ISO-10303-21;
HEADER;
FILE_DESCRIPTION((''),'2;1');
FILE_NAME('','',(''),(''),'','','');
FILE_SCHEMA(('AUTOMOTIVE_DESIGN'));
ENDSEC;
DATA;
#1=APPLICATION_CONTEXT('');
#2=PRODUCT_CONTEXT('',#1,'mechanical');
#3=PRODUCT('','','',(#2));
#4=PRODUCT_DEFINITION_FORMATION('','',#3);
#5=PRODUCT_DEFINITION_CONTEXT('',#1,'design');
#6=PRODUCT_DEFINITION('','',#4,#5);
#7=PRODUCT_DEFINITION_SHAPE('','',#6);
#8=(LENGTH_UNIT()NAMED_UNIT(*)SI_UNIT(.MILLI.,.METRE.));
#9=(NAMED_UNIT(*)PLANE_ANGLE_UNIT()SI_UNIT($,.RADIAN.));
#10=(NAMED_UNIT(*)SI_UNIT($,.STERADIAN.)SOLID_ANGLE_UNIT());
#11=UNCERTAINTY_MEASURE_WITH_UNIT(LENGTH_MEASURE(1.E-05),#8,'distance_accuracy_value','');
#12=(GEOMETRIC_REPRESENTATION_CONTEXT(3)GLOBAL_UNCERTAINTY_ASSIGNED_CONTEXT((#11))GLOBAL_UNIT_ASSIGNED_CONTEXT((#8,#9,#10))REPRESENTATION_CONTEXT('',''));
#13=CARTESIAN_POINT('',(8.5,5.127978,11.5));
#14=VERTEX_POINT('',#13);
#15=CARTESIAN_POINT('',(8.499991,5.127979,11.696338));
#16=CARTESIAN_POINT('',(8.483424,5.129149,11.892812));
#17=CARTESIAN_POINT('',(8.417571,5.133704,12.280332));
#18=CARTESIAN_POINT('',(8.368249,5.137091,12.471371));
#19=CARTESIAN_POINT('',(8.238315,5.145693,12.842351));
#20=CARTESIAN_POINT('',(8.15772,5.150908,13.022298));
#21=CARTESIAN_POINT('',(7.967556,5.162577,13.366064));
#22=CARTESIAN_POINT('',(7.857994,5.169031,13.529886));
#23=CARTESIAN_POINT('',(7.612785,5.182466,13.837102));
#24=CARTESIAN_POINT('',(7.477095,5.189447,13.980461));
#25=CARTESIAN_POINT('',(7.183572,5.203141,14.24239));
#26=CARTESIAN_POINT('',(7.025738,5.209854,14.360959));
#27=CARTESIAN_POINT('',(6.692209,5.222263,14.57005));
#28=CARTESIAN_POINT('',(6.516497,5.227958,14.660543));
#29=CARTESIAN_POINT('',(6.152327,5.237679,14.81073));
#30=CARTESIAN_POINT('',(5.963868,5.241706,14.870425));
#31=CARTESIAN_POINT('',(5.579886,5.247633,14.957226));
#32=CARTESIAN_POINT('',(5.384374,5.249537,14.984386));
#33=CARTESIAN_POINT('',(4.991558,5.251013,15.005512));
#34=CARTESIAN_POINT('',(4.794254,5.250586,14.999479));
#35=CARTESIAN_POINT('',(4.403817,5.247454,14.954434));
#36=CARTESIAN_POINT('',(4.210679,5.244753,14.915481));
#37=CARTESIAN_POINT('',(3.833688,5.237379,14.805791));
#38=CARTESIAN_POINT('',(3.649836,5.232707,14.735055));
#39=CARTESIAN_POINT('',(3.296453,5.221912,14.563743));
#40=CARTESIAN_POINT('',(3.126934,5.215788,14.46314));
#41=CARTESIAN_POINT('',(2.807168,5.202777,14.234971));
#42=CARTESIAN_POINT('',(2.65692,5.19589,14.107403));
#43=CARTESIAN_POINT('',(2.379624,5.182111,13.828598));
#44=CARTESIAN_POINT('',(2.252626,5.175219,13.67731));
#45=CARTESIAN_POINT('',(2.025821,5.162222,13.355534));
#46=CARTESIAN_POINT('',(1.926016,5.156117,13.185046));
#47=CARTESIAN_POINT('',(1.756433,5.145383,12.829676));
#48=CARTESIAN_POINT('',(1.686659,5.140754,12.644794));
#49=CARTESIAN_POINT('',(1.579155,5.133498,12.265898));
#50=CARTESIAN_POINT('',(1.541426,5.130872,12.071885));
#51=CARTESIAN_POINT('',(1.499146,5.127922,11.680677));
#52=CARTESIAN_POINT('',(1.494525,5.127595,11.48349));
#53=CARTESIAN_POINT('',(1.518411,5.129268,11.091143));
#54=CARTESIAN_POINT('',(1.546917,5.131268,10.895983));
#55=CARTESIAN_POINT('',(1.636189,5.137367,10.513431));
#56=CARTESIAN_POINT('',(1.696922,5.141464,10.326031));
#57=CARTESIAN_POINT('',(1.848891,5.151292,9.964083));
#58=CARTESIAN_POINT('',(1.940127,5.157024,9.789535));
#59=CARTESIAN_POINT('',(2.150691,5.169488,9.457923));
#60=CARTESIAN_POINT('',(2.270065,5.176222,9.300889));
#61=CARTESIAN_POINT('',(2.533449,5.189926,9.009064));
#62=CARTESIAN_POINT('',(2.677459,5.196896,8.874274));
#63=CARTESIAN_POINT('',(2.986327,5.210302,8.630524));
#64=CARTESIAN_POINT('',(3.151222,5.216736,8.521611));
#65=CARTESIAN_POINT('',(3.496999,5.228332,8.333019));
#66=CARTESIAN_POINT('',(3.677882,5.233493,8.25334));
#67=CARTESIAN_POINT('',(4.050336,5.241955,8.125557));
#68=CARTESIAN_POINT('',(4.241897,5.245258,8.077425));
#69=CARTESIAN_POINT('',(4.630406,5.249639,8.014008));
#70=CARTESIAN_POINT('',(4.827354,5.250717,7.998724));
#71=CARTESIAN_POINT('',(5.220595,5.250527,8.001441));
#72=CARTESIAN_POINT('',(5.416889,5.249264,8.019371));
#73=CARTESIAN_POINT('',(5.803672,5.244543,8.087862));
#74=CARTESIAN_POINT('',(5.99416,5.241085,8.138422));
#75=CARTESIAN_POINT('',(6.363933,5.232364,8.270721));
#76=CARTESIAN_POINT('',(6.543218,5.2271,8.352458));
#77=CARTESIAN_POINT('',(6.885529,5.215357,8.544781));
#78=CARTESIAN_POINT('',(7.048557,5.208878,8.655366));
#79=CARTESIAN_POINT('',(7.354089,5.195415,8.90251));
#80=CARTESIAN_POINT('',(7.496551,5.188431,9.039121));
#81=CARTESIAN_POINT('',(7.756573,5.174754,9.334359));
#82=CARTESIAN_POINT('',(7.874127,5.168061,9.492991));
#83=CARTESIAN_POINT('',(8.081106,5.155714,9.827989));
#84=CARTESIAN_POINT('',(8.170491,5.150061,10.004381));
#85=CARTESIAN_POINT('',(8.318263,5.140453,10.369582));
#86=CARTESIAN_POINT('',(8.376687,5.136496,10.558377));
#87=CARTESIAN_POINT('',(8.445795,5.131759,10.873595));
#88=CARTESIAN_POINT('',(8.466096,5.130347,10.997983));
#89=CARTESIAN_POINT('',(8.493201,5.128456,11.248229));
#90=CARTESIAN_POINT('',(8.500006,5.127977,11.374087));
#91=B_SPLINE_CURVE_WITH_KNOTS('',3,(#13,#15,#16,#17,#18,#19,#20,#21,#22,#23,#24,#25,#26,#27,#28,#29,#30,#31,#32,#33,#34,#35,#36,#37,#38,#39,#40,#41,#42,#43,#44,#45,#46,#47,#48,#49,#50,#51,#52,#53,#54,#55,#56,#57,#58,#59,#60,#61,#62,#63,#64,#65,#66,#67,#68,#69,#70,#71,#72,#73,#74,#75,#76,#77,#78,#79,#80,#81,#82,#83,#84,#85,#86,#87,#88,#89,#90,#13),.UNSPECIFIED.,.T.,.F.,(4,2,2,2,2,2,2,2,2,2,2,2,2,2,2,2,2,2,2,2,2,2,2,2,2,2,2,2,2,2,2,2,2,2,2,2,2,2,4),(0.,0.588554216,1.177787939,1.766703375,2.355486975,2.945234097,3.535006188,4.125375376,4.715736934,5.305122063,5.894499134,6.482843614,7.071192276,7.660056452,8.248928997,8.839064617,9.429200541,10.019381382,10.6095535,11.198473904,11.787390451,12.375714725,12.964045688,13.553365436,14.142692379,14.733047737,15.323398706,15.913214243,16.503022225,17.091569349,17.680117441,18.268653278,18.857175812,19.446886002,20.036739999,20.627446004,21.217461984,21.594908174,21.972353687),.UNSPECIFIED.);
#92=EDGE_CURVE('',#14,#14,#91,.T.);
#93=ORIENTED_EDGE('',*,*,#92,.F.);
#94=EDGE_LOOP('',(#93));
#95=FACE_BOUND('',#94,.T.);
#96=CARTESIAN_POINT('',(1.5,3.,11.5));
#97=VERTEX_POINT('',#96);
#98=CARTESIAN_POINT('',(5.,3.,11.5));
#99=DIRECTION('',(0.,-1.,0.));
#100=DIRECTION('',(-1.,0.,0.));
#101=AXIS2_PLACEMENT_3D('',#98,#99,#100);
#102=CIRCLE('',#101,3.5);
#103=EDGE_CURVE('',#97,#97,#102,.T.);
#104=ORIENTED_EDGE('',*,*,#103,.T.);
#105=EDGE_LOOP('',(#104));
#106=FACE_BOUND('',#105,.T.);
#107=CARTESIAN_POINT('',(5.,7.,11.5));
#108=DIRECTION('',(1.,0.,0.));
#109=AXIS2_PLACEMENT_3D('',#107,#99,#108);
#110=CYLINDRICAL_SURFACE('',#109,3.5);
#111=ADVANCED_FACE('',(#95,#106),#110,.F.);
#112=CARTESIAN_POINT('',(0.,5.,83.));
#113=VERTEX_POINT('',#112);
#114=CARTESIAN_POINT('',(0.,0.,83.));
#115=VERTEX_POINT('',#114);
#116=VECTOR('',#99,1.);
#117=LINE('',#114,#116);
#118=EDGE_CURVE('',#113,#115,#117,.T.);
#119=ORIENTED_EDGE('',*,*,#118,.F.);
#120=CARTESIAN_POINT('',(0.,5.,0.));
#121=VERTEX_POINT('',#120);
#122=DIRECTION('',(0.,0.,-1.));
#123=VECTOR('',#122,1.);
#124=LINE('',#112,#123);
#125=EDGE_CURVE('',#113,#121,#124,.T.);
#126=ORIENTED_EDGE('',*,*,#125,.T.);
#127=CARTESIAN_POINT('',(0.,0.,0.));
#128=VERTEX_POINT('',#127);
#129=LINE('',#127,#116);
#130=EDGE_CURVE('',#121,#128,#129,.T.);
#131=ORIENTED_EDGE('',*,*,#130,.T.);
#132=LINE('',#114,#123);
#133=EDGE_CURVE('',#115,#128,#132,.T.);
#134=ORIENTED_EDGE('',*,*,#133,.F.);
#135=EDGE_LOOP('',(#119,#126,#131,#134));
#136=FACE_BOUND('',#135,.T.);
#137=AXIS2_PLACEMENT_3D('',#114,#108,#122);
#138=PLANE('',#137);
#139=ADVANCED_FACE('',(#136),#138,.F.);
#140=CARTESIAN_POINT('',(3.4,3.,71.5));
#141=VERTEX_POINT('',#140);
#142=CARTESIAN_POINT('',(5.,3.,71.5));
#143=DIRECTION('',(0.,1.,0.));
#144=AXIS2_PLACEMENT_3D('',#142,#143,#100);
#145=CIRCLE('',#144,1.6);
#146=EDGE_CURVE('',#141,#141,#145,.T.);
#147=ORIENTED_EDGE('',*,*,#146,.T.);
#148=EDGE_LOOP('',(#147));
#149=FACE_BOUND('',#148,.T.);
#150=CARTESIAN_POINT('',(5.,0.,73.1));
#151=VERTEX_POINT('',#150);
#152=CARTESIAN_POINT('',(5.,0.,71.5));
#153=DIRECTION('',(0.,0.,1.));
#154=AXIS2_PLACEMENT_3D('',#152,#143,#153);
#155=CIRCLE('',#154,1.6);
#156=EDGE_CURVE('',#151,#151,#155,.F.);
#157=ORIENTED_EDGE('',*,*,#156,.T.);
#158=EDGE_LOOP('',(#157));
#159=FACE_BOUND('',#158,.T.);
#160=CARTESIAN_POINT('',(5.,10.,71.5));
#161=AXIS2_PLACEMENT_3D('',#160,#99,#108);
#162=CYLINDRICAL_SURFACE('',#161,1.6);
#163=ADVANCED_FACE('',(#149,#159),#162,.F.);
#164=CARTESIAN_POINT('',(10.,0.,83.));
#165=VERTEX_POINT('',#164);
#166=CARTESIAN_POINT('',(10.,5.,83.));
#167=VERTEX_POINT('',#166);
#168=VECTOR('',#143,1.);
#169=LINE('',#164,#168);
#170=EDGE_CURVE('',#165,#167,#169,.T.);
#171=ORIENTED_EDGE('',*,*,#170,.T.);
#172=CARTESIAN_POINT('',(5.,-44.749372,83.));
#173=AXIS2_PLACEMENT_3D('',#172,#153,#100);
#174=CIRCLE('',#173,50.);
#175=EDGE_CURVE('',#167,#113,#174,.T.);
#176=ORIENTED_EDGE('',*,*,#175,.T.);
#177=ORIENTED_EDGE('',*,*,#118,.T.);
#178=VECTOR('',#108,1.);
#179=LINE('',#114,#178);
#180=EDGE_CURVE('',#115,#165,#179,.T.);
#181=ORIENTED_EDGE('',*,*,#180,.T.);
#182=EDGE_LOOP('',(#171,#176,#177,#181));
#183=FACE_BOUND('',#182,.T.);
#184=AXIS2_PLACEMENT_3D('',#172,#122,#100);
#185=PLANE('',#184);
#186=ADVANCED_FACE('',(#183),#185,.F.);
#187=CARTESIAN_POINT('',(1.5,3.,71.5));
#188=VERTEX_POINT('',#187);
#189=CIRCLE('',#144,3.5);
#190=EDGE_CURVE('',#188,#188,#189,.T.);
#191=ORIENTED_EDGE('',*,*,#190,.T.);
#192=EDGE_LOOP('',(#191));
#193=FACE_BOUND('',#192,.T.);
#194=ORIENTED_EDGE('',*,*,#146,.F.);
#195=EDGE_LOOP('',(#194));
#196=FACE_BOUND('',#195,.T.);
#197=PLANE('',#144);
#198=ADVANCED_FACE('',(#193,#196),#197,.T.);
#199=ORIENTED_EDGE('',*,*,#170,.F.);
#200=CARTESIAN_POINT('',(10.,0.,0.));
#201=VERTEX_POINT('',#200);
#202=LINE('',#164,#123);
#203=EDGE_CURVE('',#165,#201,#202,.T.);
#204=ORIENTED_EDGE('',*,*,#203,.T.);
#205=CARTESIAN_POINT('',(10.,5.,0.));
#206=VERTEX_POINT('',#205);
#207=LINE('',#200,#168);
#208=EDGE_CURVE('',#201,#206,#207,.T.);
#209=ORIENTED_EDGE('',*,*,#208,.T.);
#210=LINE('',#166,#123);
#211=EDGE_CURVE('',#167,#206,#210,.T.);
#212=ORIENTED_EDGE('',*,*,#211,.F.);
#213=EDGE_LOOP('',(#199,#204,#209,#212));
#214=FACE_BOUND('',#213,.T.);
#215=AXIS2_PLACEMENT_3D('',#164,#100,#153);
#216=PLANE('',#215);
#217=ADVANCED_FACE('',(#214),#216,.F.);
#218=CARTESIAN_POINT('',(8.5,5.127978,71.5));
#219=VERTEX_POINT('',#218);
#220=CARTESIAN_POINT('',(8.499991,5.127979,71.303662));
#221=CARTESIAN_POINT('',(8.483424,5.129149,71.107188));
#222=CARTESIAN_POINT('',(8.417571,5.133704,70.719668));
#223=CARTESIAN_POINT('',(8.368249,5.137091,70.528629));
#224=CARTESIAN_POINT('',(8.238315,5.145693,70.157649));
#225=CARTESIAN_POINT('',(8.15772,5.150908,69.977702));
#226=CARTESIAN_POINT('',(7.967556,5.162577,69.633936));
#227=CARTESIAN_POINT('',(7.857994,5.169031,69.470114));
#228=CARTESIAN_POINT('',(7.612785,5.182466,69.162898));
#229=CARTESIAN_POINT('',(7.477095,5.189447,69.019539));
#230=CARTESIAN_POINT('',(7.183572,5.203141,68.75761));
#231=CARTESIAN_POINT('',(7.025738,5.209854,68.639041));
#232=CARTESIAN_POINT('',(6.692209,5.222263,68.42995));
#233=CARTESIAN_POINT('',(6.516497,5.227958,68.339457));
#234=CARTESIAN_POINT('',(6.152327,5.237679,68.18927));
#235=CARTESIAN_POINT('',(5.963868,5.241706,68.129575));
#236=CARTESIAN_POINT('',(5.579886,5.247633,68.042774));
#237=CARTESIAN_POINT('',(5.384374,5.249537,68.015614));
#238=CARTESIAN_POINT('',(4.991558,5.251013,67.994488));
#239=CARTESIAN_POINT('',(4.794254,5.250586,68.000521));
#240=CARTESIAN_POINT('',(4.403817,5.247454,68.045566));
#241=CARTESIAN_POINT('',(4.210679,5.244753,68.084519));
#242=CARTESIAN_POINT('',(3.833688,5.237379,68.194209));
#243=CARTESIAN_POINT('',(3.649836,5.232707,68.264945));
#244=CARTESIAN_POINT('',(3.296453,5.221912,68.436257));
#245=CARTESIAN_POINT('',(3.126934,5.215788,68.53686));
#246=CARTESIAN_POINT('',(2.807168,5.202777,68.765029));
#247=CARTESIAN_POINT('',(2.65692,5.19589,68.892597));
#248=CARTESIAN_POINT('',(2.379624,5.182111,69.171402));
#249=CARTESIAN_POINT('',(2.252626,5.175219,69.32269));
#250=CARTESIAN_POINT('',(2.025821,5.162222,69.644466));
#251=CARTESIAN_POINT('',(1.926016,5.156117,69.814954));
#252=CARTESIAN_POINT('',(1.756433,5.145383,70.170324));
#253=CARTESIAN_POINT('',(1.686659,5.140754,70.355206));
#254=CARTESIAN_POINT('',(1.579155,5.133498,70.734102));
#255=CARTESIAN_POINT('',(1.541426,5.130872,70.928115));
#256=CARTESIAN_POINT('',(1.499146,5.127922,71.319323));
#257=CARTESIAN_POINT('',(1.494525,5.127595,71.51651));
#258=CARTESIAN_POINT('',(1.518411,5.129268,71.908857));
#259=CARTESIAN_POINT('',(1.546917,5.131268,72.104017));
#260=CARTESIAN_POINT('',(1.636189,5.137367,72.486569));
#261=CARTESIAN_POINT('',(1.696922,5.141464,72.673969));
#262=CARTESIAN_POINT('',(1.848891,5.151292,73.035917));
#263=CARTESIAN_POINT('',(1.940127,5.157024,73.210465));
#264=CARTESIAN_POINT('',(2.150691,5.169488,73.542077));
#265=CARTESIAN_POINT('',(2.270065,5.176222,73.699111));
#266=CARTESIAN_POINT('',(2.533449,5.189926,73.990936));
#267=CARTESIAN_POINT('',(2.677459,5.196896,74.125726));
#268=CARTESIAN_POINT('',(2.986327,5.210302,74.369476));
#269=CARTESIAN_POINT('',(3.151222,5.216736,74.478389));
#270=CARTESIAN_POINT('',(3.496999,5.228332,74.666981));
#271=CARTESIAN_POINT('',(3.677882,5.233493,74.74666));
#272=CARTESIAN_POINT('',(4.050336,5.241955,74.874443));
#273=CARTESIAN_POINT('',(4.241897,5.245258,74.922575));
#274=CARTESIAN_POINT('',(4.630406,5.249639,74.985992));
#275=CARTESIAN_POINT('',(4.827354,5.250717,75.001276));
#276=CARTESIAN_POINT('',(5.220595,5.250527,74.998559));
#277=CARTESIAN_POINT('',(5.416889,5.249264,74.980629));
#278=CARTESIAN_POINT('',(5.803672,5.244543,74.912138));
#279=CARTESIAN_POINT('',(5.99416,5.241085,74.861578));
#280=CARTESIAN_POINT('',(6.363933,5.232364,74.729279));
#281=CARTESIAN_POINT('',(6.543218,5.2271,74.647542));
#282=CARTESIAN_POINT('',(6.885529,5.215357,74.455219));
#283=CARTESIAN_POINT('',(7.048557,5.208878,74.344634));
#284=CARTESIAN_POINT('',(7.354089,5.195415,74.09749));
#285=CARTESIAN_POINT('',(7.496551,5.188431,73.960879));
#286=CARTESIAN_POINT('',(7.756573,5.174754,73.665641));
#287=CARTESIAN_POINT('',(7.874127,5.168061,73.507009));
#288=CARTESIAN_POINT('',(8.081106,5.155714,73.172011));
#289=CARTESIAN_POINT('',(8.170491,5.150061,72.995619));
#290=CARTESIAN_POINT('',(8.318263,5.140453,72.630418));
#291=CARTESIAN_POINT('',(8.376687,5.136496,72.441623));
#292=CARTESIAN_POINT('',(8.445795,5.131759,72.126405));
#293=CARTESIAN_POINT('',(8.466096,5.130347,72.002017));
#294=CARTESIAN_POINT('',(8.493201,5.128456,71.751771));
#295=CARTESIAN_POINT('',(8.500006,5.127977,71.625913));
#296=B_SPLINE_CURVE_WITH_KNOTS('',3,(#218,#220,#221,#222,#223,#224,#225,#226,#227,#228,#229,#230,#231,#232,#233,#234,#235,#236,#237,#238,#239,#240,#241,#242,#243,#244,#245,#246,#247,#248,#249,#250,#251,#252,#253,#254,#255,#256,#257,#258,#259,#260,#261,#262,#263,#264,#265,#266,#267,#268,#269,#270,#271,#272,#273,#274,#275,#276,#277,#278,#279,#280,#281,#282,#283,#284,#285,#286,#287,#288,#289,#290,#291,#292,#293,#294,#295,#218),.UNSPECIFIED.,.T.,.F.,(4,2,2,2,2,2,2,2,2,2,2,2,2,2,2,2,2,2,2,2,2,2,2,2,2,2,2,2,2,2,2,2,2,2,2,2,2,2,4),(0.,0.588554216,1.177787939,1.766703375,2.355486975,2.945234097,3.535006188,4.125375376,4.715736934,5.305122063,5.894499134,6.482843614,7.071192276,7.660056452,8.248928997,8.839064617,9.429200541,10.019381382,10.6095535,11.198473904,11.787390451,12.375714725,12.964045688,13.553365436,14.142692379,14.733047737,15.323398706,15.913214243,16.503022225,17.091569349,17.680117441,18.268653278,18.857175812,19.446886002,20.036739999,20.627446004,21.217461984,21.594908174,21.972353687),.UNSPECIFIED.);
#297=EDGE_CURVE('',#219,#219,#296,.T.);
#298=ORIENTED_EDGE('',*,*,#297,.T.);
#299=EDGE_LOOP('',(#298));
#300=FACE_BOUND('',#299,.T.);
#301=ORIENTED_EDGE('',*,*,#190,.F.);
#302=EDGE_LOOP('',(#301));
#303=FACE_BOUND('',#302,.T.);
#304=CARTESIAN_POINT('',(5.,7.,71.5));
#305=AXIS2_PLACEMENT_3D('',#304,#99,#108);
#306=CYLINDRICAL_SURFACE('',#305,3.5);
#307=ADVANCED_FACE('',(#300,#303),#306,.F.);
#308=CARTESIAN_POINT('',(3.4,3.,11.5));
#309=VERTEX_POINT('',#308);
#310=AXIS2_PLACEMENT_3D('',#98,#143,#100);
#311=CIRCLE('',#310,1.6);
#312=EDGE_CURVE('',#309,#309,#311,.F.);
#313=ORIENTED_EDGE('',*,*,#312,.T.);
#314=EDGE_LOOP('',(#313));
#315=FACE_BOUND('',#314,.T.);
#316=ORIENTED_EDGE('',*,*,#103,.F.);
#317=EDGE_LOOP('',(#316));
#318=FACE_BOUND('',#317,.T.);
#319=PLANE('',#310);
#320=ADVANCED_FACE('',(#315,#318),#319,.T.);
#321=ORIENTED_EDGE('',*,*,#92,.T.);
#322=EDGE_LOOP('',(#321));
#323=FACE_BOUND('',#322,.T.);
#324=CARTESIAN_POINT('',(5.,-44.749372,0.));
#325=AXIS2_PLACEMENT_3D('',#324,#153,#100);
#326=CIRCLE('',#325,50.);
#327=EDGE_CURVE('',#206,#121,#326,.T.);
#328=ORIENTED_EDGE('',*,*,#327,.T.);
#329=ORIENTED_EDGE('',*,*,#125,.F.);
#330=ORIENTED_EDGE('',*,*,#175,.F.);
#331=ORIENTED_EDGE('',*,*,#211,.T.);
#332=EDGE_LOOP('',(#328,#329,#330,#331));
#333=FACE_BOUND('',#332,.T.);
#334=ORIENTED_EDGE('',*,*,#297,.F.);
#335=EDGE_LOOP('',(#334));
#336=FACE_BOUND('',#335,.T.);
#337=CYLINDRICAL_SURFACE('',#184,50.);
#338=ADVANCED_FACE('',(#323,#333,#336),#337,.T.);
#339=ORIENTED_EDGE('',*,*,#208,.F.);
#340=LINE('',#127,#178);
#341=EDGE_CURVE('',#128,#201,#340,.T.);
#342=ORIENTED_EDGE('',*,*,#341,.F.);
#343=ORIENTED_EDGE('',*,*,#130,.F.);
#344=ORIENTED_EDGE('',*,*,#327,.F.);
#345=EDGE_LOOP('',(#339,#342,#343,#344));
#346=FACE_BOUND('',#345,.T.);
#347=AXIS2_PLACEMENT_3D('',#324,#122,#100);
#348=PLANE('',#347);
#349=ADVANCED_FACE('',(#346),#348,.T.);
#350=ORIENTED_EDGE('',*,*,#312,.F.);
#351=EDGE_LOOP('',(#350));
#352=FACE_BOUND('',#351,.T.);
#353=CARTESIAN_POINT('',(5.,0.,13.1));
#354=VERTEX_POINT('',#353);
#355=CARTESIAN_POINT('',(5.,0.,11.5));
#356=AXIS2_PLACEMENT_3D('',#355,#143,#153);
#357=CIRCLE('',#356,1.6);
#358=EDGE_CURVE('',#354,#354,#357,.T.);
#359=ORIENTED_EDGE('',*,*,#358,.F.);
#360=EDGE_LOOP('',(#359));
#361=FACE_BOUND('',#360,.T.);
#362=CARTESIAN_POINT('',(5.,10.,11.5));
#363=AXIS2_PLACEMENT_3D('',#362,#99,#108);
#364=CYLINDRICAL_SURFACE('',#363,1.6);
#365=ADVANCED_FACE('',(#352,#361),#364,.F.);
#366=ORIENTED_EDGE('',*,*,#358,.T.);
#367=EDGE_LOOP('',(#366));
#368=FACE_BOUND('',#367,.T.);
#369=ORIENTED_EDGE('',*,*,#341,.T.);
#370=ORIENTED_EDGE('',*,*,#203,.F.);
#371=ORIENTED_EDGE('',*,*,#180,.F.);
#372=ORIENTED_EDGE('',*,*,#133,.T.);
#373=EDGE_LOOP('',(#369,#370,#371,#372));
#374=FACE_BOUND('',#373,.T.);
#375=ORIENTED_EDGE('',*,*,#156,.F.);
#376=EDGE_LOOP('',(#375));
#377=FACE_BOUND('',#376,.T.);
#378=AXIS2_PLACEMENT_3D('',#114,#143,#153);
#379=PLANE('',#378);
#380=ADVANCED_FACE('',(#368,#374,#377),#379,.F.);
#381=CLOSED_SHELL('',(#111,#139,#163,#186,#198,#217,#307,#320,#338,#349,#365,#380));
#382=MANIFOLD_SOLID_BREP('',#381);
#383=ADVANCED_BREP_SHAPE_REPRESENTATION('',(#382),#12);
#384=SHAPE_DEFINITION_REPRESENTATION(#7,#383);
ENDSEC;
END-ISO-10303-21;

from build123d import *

# Parameters (mm, degrees)
EXTRUDE_1_DEPTH     = 83
CUT_EXTRUDE_START   = -10
SKETCH_6_R          = 1.6
CUT_EXTRUDE_1_DEPTH = 15
SKETCH_5_R          = 3.5
CUT_EXTRUDE_2_DEPTH = 2


with BuildPart() as part:
    # 草图1 → 凸台-拉伸1 (new body)
    with BuildSketch(Plane.XY):
        with BuildLine():
            Line((0, 0), (10, 0))
            Line((10, 0), (10, 5))
            ThreePointArc((10, 5), (5, 5.250628145), (0, 5))
            Line((0, 5), (0, 0))
        make_face()
    extrude(amount=EXTRUDE_1_DEPTH)

    # 草图6 → 切除-拉伸1 (cut)
    with BuildSketch(Plane(origin=(0, 5, 0), x_dir=(1, 0, 0), z_dir=(0, 1, 0)).offset(CUT_EXTRUDE_START)):
        with Locations((5, -71.5)):
            Circle(SKETCH_6_R)
    cut_extrude_1 = extrude(amount=CUT_EXTRUDE_1_DEPTH, mode=Mode.SUBTRACT)

    # 草图5 → 切除-拉伸2 (cut, symmetric)
    with BuildSketch(Plane(origin=(0, 5, 0), x_dir=(1, 0, 0), z_dir=(0, 1, 0))):
        with Locations((5, -71.5)):
            Circle(SKETCH_5_R)
    cut_extrude_2 = extrude(amount=CUT_EXTRUDE_2_DEPTH, both=True, mode=Mode.SUBTRACT)

    # 镜向1: 切除-拉伸1, 切除-拉伸2 across plane
    add(cut_extrude_1.mirror(Plane(origin=(0, 0, 41.5), x_dir=(1, 0, 0), z_dir=(0, 0, -1))), mode=Mode.SUBTRACT)
    add(cut_extrude_2.mirror(Plane(origin=(0, 0, 41.5), x_dir=(1, 0, 0), z_dir=(0, 0, -1))), mode=Mode.SUBTRACT)


solid = part.part
